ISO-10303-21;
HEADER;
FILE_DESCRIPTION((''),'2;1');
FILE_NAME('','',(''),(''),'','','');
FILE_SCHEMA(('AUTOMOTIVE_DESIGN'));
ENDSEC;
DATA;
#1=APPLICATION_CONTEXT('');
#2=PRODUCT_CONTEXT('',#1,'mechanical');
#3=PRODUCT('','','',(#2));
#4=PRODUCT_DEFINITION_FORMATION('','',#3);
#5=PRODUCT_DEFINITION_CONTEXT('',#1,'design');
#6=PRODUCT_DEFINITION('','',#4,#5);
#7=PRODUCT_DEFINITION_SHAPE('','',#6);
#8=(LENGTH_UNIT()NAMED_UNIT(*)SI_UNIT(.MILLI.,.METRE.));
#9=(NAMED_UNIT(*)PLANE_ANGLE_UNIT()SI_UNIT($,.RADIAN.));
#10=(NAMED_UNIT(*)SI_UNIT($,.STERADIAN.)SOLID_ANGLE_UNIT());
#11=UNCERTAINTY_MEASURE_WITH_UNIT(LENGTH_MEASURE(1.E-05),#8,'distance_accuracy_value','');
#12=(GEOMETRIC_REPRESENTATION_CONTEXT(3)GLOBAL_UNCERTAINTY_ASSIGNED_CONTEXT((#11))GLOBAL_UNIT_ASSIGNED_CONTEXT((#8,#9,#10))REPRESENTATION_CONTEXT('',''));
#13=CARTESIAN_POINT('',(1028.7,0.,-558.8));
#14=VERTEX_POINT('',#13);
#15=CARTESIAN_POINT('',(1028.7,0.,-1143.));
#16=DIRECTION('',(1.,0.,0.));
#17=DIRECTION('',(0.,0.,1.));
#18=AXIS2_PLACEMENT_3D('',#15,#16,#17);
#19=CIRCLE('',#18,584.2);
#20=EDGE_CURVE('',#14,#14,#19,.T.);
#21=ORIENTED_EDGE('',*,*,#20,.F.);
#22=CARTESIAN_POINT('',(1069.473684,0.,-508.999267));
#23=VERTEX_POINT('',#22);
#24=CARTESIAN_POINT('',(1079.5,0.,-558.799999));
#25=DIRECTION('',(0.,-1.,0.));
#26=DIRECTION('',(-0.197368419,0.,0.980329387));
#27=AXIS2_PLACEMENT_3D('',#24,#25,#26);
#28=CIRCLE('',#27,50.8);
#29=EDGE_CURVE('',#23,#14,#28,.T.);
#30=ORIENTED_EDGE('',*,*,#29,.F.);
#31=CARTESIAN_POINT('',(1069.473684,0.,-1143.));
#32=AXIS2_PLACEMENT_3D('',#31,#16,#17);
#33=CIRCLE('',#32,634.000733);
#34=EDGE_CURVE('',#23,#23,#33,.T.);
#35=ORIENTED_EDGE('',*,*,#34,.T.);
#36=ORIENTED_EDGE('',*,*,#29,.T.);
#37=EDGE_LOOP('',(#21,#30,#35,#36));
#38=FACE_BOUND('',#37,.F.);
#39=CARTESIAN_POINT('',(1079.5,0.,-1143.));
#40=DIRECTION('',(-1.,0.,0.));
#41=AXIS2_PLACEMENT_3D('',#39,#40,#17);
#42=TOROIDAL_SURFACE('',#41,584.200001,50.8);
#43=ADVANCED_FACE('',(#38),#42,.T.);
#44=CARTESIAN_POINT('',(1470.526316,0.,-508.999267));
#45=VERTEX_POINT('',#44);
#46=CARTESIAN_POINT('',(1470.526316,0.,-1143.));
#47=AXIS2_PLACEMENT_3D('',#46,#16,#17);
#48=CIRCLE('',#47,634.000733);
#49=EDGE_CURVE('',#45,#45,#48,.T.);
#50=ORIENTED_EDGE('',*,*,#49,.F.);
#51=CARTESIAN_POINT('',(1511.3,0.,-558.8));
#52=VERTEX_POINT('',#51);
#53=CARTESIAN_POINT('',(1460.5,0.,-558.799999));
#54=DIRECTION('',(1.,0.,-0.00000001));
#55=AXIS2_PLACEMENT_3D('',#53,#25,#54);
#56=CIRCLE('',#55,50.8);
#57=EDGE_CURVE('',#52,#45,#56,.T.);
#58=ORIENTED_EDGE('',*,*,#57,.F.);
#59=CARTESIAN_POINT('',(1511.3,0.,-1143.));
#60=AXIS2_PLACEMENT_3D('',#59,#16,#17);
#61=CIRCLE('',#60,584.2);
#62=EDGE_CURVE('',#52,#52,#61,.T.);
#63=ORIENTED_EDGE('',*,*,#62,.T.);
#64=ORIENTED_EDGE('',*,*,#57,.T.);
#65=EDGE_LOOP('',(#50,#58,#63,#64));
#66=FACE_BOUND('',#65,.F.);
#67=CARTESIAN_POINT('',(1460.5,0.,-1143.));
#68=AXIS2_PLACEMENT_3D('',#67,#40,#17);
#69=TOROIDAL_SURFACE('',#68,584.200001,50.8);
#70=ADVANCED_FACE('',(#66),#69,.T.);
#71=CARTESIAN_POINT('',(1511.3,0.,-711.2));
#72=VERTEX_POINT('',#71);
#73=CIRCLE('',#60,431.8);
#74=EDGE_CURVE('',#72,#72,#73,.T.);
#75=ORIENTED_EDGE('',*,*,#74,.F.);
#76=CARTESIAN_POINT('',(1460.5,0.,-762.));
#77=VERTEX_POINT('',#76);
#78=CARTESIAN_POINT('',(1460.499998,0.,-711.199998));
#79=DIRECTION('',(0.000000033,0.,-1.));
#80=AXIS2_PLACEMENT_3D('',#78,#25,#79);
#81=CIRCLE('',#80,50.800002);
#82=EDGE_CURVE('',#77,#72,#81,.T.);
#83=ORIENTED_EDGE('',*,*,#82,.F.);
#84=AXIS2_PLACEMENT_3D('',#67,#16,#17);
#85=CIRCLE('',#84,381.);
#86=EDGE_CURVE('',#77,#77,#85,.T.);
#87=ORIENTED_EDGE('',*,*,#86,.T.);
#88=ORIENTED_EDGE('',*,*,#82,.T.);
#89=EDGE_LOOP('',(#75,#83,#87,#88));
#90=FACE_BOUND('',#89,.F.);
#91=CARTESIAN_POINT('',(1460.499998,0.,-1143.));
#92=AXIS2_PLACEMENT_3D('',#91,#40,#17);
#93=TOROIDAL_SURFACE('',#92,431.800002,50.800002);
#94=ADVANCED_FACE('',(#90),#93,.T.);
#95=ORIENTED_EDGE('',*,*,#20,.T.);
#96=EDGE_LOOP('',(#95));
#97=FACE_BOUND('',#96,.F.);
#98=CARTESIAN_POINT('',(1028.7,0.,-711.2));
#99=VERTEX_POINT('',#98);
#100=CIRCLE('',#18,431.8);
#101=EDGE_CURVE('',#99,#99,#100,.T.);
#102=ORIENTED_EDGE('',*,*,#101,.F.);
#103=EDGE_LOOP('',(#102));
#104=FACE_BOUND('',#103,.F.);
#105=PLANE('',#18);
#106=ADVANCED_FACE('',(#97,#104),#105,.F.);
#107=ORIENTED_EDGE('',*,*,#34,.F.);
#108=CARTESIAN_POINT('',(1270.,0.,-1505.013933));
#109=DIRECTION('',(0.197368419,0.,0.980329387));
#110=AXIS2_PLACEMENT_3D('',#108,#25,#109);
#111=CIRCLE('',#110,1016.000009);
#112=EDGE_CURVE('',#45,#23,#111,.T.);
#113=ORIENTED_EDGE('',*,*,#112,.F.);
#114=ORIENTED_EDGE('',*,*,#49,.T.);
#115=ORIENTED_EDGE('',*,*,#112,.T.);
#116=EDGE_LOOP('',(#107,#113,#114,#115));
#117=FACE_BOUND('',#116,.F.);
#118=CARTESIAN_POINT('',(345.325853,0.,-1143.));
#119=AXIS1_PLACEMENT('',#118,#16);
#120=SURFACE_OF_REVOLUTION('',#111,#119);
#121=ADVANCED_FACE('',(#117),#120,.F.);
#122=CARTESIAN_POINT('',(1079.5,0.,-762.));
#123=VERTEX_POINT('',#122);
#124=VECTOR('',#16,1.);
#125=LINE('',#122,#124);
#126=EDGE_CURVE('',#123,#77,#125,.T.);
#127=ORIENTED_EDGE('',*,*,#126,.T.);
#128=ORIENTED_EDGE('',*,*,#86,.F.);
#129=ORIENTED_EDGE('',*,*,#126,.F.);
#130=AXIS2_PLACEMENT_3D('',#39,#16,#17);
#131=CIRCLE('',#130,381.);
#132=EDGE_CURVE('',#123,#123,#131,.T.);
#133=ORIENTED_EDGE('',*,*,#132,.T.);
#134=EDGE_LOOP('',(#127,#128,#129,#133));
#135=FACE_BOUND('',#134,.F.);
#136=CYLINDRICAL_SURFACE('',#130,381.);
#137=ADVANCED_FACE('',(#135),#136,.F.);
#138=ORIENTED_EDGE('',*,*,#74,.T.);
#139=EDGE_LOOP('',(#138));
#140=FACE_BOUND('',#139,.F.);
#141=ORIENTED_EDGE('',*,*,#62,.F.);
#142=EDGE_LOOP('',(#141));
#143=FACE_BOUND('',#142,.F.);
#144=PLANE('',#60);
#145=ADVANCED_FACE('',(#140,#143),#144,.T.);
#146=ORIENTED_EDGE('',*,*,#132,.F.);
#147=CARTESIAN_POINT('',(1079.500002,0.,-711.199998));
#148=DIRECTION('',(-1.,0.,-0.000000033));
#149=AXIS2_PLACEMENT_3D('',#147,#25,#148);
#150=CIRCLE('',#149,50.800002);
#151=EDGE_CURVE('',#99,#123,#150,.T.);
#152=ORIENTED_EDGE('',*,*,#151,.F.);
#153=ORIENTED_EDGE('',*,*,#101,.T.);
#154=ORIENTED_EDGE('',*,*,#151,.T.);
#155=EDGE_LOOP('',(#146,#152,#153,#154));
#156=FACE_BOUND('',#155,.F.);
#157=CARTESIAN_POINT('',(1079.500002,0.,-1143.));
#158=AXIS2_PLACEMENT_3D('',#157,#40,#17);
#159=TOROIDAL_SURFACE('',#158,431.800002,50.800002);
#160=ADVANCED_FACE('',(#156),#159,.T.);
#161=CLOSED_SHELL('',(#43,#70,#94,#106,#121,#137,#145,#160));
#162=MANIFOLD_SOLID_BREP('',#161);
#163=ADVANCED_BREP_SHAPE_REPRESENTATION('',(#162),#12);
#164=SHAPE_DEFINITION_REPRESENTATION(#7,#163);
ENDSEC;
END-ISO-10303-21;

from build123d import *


with BuildPart() as f1:
    # F0 (on Front) → F1 (revolve)
    with BuildSketch(Plane.XZ):
        with BuildLine():
            ThreePointArc((1028.7, -711.2), (1043.578976, -747.121024), (1079.5, -762))
            Line((1079.5, -762), (1460.5, -762))
            ThreePointArc((1460.5, -762), (1496.421024, -747.121024), (1511.3, -711.2))
            Line((1511.3, -711.2), (1511.3, -558.8))
            ThreePointArc((1511.3, -558.8), (1499.806341, -526.618459), (1470.526316, -508.999267))
            ThreePointArc((1470.526316, -508.999267), (1270, -489.013924), (1069.473684, -508.999267))
            ThreePointArc((1069.473684, -508.999267), (1040.193659, -526.618459), (1028.7, -558.8))
            Line((1028.7, -558.8), (1028.7, -711.2))
        make_face()
    revolve(axis=Axis((345.325853, 0, -1143), (1, 0, 0)))


solid = f1.part
